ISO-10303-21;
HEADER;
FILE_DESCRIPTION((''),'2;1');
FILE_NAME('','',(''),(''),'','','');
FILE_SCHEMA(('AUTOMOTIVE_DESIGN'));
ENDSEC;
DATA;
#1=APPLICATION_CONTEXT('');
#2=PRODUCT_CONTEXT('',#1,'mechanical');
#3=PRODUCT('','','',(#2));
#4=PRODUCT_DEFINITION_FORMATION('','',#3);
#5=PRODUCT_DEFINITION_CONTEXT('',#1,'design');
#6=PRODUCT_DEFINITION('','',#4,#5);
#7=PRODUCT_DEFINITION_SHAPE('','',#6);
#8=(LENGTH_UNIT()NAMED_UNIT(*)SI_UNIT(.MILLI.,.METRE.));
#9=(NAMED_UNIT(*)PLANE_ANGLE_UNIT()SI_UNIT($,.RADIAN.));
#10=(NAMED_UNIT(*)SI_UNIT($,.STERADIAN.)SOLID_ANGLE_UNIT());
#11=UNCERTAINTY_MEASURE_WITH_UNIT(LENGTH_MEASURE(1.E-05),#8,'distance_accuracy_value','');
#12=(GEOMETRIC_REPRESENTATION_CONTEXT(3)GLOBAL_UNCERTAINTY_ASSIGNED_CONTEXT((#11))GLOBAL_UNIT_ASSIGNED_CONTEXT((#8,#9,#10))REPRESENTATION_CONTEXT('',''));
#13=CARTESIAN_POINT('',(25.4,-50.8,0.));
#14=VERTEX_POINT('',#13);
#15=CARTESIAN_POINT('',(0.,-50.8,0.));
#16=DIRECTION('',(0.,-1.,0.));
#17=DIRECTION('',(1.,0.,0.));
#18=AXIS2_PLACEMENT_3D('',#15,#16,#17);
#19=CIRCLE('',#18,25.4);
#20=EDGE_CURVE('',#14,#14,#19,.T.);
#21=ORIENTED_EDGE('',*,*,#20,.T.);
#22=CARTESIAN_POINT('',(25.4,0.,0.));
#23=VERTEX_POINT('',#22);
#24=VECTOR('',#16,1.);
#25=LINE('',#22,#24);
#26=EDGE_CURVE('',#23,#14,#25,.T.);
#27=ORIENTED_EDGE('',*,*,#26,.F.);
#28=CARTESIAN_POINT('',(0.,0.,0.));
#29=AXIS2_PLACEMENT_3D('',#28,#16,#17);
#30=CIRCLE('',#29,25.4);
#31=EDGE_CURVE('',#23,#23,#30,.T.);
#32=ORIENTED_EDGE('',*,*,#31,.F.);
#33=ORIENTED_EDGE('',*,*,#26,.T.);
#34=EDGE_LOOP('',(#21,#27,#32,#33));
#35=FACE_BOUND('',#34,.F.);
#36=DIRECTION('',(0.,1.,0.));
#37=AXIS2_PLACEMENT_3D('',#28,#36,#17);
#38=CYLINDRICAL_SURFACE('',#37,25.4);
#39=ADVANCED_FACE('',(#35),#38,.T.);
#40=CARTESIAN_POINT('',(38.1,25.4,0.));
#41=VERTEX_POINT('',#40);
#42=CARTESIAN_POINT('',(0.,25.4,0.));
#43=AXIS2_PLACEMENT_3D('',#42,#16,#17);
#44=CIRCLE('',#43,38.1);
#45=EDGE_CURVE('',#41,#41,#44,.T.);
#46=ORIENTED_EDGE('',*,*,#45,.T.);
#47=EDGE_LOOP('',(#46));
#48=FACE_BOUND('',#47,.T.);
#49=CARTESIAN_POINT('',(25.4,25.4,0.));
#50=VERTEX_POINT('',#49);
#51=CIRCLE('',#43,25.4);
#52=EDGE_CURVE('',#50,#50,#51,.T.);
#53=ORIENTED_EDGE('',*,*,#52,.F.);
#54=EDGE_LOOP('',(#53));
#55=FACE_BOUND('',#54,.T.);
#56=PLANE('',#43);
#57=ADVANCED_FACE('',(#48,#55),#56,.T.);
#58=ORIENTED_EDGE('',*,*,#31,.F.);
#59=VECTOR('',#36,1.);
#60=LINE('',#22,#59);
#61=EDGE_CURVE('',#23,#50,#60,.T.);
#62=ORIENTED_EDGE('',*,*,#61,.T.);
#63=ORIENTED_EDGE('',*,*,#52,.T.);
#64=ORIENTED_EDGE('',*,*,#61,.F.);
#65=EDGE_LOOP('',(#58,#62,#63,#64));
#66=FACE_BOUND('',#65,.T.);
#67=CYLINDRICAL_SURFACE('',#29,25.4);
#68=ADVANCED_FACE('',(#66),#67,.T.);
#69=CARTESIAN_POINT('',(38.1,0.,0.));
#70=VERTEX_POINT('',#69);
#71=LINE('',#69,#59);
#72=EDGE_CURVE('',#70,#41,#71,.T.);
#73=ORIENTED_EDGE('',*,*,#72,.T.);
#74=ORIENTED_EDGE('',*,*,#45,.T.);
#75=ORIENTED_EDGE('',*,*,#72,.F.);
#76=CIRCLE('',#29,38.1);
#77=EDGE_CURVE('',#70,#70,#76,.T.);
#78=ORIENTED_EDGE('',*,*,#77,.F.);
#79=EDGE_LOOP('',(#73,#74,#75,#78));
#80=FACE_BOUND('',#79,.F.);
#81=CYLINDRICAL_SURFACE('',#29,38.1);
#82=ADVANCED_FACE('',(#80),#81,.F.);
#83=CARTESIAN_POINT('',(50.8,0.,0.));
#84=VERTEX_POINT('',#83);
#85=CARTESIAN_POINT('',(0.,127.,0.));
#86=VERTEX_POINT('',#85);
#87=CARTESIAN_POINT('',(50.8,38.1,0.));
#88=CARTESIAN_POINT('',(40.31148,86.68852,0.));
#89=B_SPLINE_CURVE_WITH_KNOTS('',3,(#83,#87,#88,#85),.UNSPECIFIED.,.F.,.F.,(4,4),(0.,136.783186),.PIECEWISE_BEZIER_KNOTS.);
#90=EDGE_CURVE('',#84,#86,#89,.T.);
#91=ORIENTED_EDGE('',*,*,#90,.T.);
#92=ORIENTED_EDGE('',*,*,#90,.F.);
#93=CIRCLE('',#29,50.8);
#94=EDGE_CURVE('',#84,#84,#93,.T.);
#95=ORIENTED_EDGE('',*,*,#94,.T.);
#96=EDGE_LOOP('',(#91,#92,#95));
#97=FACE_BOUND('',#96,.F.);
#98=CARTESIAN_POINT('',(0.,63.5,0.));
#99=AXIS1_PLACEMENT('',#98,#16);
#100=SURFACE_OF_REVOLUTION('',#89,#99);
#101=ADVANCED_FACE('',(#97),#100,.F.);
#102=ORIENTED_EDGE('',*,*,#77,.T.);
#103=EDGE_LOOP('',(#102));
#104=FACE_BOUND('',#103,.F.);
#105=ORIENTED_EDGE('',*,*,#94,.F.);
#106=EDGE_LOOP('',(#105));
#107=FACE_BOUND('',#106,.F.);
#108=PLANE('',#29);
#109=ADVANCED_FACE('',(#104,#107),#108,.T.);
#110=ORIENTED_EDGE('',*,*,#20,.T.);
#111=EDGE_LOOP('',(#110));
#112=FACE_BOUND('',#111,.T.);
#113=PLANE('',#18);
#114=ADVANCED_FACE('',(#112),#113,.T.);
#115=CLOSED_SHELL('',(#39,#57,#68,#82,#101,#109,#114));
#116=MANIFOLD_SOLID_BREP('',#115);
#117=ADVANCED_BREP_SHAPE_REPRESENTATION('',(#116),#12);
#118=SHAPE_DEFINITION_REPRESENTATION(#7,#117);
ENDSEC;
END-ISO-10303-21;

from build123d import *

# Parameters (mm, degrees)
F2_R     = 38.1
F2_R_2   = 25.4
F3_DEPTH = 25.4
F4_DEPTH = 50.8


with BuildPart() as f1:
    # F0 (on Top) → F1 (revolve)
    with BuildSketch(Plane.XY):
        with BuildLine():
            add(Edge.make_bspline(
                [(50.8, 0), (50.8, 38.1), (40.31148, 86.68852), (0, 127)],
                knots=[0, 0, 0, 0, 136.783186, 136.783186, 136.783186, 136.783186], degree=3))
            Line((0, 127), (0, 0))
            Line((0, 0), (50.8, 0))
        make_face()
    revolve(axis=Axis((0, 63.5, 0), (0, -1, 0)))

    # F2 (on face) → F3 (cut)
    with BuildSketch(Plane.XZ):
        Circle(F2_R)
        Circle(F2_R_2, mode=Mode.SUBTRACT)
    extrude(amount=-F3_DEPTH, mode=Mode.SUBTRACT)

    # F2 (on face) → F4 (join)
    with BuildSketch(Plane.XZ):
        Circle(F2_R_2)
    extrude(amount=F4_DEPTH)


solid = f1.part
